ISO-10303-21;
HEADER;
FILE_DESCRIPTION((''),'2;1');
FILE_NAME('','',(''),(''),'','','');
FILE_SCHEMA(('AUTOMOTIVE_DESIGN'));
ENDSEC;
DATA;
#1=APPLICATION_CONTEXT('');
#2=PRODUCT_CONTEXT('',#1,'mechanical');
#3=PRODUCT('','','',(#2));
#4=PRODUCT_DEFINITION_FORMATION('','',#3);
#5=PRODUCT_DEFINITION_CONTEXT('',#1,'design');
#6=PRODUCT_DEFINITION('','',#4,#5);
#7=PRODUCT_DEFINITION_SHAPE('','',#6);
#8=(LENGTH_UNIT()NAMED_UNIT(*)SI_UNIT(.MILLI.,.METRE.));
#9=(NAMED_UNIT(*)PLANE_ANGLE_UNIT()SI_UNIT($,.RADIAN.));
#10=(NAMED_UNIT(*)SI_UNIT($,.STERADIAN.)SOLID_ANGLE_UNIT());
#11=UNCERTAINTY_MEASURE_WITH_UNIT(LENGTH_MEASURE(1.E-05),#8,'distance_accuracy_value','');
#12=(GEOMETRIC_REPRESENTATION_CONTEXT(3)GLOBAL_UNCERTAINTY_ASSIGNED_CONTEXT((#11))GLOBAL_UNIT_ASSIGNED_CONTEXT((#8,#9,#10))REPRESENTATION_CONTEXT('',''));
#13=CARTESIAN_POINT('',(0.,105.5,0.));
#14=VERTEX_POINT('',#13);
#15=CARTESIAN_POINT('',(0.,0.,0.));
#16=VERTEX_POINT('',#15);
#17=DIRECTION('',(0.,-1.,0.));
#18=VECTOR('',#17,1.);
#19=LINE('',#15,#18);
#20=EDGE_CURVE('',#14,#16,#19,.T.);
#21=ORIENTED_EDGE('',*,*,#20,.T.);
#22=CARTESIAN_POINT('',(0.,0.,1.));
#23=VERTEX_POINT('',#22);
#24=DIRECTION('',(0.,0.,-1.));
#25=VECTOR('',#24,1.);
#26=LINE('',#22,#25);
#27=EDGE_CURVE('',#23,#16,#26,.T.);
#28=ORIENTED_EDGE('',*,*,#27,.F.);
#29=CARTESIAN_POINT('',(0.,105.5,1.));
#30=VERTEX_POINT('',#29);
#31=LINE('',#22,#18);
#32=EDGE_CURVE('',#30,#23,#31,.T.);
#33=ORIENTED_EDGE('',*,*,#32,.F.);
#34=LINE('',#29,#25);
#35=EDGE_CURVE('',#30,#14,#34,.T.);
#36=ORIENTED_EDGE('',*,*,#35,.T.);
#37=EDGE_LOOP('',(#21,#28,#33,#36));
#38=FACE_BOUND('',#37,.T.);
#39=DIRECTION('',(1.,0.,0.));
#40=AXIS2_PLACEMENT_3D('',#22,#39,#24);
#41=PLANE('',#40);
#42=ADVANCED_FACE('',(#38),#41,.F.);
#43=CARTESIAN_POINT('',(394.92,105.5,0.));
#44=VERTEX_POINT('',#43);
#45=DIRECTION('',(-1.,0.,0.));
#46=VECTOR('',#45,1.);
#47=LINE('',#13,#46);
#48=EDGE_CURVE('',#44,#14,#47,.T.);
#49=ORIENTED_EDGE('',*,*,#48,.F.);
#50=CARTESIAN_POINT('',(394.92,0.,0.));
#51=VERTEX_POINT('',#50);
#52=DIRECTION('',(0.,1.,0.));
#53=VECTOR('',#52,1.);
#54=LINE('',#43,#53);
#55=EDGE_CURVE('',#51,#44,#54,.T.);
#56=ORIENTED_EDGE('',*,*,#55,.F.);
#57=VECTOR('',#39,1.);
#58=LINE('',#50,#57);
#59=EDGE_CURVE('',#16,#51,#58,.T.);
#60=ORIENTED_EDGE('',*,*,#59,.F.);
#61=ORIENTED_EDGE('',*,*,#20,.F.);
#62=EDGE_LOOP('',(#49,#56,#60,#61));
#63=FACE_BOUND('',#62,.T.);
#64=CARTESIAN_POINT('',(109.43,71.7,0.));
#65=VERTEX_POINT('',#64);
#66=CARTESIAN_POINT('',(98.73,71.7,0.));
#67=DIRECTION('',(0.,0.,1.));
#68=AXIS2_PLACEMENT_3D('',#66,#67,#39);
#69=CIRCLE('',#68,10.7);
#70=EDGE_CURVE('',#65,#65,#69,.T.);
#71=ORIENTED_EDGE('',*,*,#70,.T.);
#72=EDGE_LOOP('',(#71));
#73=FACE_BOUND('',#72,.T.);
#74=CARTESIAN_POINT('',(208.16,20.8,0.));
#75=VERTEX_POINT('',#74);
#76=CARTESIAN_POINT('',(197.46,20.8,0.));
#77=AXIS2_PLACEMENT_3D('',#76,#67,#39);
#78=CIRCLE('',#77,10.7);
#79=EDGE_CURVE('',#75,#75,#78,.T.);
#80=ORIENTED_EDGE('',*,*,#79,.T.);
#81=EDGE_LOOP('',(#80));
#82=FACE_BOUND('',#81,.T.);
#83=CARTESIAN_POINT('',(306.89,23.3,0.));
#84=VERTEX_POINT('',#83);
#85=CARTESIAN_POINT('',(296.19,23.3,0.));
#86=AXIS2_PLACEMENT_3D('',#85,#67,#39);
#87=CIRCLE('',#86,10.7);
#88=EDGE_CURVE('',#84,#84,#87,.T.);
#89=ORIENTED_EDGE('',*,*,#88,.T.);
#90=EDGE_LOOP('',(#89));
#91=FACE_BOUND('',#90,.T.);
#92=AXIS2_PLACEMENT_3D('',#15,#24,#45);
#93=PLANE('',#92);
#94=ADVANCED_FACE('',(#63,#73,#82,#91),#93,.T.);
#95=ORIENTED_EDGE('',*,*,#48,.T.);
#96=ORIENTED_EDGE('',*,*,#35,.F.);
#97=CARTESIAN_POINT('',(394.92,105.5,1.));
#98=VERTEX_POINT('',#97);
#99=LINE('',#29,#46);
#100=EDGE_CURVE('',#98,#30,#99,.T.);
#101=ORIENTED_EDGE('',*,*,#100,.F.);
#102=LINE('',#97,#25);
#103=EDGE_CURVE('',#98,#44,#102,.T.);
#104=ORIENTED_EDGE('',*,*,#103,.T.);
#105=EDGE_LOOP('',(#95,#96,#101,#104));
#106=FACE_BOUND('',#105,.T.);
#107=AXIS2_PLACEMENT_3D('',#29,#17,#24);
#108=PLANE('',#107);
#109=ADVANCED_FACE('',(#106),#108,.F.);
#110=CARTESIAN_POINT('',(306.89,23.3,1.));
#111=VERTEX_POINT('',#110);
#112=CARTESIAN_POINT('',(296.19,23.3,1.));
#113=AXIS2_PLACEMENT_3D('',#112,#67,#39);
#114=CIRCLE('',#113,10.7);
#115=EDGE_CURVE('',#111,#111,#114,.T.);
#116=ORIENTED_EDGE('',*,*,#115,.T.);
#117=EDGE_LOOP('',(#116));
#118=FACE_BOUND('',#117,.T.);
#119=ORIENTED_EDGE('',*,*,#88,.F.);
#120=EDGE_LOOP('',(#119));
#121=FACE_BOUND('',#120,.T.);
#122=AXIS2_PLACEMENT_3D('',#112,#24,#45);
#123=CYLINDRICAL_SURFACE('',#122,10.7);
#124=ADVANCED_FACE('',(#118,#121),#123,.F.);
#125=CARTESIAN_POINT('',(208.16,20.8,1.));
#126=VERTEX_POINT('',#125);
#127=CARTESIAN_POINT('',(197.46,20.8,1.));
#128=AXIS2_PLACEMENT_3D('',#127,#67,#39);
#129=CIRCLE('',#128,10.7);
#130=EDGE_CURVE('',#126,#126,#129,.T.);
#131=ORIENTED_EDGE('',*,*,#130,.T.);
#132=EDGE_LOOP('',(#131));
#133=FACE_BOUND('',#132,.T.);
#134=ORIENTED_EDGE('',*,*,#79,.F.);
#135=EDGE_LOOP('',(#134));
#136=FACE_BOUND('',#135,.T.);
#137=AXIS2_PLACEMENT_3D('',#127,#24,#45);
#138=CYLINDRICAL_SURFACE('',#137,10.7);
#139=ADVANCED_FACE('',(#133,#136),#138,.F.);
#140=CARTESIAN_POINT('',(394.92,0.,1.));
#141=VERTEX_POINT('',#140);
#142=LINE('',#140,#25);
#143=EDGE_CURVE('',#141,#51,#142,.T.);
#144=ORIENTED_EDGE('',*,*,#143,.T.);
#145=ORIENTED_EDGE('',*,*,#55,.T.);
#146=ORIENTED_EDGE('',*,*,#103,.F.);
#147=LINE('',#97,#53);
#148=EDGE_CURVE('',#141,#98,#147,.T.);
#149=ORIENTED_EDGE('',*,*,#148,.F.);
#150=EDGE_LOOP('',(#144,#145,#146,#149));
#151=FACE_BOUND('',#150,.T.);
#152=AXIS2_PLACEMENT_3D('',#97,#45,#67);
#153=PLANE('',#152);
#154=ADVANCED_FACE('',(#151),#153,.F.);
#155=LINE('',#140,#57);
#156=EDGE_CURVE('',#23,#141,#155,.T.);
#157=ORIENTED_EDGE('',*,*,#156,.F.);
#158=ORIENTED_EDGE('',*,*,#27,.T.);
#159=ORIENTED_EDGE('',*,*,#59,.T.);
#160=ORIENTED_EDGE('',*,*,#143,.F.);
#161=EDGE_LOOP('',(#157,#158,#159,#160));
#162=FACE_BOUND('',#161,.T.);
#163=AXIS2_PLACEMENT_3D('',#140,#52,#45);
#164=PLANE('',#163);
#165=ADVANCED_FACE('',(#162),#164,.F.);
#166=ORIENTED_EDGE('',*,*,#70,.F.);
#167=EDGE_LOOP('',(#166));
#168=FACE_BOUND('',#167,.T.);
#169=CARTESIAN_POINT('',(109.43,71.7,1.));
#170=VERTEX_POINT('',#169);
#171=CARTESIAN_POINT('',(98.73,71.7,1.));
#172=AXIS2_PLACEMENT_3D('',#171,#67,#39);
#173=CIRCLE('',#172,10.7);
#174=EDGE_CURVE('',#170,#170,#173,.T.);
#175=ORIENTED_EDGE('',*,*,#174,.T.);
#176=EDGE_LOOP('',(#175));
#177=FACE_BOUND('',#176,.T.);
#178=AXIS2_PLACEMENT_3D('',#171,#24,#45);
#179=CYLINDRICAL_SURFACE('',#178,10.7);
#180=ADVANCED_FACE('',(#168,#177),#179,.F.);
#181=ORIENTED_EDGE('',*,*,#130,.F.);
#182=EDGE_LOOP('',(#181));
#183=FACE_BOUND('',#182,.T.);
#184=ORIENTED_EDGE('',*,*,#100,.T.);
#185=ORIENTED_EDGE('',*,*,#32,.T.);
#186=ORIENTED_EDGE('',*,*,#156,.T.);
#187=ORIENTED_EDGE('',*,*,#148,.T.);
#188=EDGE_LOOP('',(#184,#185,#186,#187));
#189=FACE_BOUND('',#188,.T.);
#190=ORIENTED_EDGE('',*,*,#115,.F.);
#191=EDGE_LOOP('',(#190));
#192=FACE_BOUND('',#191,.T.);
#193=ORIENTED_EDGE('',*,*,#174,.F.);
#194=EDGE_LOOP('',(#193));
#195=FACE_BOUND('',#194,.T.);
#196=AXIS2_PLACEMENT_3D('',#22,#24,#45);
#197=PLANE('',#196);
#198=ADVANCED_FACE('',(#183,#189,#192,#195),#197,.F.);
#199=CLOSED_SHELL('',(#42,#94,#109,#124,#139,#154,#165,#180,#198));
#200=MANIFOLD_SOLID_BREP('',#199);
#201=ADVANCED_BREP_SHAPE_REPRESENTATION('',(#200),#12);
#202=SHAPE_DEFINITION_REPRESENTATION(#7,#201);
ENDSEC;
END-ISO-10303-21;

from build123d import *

# Parameters (mm, degrees)
SKETCH1_W           = 394.92
SKETCH1_H           = 105.5
SKETCH1_R           = 10.7
BOSS_EXTRUDE1_DEPTH = 1


with BuildPart() as part:
    # Sketch1 → Boss-Extrude1 (new body)
    with BuildSketch(Plane.XY):
        with Locations((197.46, 52.75)):
            Rectangle(SKETCH1_W, SKETCH1_H)
        with Locations((197.46, 20.8)):
            Circle(SKETCH1_R, mode=Mode.SUBTRACT)
        with Locations((98.73, 71.7)):
            Circle(SKETCH1_R, mode=Mode.SUBTRACT)
        with Locations((296.19, 23.3)):
            Circle(SKETCH1_R, mode=Mode.SUBTRACT)
    extrude(amount=BOSS_EXTRUDE1_DEPTH)


solid = part.part
